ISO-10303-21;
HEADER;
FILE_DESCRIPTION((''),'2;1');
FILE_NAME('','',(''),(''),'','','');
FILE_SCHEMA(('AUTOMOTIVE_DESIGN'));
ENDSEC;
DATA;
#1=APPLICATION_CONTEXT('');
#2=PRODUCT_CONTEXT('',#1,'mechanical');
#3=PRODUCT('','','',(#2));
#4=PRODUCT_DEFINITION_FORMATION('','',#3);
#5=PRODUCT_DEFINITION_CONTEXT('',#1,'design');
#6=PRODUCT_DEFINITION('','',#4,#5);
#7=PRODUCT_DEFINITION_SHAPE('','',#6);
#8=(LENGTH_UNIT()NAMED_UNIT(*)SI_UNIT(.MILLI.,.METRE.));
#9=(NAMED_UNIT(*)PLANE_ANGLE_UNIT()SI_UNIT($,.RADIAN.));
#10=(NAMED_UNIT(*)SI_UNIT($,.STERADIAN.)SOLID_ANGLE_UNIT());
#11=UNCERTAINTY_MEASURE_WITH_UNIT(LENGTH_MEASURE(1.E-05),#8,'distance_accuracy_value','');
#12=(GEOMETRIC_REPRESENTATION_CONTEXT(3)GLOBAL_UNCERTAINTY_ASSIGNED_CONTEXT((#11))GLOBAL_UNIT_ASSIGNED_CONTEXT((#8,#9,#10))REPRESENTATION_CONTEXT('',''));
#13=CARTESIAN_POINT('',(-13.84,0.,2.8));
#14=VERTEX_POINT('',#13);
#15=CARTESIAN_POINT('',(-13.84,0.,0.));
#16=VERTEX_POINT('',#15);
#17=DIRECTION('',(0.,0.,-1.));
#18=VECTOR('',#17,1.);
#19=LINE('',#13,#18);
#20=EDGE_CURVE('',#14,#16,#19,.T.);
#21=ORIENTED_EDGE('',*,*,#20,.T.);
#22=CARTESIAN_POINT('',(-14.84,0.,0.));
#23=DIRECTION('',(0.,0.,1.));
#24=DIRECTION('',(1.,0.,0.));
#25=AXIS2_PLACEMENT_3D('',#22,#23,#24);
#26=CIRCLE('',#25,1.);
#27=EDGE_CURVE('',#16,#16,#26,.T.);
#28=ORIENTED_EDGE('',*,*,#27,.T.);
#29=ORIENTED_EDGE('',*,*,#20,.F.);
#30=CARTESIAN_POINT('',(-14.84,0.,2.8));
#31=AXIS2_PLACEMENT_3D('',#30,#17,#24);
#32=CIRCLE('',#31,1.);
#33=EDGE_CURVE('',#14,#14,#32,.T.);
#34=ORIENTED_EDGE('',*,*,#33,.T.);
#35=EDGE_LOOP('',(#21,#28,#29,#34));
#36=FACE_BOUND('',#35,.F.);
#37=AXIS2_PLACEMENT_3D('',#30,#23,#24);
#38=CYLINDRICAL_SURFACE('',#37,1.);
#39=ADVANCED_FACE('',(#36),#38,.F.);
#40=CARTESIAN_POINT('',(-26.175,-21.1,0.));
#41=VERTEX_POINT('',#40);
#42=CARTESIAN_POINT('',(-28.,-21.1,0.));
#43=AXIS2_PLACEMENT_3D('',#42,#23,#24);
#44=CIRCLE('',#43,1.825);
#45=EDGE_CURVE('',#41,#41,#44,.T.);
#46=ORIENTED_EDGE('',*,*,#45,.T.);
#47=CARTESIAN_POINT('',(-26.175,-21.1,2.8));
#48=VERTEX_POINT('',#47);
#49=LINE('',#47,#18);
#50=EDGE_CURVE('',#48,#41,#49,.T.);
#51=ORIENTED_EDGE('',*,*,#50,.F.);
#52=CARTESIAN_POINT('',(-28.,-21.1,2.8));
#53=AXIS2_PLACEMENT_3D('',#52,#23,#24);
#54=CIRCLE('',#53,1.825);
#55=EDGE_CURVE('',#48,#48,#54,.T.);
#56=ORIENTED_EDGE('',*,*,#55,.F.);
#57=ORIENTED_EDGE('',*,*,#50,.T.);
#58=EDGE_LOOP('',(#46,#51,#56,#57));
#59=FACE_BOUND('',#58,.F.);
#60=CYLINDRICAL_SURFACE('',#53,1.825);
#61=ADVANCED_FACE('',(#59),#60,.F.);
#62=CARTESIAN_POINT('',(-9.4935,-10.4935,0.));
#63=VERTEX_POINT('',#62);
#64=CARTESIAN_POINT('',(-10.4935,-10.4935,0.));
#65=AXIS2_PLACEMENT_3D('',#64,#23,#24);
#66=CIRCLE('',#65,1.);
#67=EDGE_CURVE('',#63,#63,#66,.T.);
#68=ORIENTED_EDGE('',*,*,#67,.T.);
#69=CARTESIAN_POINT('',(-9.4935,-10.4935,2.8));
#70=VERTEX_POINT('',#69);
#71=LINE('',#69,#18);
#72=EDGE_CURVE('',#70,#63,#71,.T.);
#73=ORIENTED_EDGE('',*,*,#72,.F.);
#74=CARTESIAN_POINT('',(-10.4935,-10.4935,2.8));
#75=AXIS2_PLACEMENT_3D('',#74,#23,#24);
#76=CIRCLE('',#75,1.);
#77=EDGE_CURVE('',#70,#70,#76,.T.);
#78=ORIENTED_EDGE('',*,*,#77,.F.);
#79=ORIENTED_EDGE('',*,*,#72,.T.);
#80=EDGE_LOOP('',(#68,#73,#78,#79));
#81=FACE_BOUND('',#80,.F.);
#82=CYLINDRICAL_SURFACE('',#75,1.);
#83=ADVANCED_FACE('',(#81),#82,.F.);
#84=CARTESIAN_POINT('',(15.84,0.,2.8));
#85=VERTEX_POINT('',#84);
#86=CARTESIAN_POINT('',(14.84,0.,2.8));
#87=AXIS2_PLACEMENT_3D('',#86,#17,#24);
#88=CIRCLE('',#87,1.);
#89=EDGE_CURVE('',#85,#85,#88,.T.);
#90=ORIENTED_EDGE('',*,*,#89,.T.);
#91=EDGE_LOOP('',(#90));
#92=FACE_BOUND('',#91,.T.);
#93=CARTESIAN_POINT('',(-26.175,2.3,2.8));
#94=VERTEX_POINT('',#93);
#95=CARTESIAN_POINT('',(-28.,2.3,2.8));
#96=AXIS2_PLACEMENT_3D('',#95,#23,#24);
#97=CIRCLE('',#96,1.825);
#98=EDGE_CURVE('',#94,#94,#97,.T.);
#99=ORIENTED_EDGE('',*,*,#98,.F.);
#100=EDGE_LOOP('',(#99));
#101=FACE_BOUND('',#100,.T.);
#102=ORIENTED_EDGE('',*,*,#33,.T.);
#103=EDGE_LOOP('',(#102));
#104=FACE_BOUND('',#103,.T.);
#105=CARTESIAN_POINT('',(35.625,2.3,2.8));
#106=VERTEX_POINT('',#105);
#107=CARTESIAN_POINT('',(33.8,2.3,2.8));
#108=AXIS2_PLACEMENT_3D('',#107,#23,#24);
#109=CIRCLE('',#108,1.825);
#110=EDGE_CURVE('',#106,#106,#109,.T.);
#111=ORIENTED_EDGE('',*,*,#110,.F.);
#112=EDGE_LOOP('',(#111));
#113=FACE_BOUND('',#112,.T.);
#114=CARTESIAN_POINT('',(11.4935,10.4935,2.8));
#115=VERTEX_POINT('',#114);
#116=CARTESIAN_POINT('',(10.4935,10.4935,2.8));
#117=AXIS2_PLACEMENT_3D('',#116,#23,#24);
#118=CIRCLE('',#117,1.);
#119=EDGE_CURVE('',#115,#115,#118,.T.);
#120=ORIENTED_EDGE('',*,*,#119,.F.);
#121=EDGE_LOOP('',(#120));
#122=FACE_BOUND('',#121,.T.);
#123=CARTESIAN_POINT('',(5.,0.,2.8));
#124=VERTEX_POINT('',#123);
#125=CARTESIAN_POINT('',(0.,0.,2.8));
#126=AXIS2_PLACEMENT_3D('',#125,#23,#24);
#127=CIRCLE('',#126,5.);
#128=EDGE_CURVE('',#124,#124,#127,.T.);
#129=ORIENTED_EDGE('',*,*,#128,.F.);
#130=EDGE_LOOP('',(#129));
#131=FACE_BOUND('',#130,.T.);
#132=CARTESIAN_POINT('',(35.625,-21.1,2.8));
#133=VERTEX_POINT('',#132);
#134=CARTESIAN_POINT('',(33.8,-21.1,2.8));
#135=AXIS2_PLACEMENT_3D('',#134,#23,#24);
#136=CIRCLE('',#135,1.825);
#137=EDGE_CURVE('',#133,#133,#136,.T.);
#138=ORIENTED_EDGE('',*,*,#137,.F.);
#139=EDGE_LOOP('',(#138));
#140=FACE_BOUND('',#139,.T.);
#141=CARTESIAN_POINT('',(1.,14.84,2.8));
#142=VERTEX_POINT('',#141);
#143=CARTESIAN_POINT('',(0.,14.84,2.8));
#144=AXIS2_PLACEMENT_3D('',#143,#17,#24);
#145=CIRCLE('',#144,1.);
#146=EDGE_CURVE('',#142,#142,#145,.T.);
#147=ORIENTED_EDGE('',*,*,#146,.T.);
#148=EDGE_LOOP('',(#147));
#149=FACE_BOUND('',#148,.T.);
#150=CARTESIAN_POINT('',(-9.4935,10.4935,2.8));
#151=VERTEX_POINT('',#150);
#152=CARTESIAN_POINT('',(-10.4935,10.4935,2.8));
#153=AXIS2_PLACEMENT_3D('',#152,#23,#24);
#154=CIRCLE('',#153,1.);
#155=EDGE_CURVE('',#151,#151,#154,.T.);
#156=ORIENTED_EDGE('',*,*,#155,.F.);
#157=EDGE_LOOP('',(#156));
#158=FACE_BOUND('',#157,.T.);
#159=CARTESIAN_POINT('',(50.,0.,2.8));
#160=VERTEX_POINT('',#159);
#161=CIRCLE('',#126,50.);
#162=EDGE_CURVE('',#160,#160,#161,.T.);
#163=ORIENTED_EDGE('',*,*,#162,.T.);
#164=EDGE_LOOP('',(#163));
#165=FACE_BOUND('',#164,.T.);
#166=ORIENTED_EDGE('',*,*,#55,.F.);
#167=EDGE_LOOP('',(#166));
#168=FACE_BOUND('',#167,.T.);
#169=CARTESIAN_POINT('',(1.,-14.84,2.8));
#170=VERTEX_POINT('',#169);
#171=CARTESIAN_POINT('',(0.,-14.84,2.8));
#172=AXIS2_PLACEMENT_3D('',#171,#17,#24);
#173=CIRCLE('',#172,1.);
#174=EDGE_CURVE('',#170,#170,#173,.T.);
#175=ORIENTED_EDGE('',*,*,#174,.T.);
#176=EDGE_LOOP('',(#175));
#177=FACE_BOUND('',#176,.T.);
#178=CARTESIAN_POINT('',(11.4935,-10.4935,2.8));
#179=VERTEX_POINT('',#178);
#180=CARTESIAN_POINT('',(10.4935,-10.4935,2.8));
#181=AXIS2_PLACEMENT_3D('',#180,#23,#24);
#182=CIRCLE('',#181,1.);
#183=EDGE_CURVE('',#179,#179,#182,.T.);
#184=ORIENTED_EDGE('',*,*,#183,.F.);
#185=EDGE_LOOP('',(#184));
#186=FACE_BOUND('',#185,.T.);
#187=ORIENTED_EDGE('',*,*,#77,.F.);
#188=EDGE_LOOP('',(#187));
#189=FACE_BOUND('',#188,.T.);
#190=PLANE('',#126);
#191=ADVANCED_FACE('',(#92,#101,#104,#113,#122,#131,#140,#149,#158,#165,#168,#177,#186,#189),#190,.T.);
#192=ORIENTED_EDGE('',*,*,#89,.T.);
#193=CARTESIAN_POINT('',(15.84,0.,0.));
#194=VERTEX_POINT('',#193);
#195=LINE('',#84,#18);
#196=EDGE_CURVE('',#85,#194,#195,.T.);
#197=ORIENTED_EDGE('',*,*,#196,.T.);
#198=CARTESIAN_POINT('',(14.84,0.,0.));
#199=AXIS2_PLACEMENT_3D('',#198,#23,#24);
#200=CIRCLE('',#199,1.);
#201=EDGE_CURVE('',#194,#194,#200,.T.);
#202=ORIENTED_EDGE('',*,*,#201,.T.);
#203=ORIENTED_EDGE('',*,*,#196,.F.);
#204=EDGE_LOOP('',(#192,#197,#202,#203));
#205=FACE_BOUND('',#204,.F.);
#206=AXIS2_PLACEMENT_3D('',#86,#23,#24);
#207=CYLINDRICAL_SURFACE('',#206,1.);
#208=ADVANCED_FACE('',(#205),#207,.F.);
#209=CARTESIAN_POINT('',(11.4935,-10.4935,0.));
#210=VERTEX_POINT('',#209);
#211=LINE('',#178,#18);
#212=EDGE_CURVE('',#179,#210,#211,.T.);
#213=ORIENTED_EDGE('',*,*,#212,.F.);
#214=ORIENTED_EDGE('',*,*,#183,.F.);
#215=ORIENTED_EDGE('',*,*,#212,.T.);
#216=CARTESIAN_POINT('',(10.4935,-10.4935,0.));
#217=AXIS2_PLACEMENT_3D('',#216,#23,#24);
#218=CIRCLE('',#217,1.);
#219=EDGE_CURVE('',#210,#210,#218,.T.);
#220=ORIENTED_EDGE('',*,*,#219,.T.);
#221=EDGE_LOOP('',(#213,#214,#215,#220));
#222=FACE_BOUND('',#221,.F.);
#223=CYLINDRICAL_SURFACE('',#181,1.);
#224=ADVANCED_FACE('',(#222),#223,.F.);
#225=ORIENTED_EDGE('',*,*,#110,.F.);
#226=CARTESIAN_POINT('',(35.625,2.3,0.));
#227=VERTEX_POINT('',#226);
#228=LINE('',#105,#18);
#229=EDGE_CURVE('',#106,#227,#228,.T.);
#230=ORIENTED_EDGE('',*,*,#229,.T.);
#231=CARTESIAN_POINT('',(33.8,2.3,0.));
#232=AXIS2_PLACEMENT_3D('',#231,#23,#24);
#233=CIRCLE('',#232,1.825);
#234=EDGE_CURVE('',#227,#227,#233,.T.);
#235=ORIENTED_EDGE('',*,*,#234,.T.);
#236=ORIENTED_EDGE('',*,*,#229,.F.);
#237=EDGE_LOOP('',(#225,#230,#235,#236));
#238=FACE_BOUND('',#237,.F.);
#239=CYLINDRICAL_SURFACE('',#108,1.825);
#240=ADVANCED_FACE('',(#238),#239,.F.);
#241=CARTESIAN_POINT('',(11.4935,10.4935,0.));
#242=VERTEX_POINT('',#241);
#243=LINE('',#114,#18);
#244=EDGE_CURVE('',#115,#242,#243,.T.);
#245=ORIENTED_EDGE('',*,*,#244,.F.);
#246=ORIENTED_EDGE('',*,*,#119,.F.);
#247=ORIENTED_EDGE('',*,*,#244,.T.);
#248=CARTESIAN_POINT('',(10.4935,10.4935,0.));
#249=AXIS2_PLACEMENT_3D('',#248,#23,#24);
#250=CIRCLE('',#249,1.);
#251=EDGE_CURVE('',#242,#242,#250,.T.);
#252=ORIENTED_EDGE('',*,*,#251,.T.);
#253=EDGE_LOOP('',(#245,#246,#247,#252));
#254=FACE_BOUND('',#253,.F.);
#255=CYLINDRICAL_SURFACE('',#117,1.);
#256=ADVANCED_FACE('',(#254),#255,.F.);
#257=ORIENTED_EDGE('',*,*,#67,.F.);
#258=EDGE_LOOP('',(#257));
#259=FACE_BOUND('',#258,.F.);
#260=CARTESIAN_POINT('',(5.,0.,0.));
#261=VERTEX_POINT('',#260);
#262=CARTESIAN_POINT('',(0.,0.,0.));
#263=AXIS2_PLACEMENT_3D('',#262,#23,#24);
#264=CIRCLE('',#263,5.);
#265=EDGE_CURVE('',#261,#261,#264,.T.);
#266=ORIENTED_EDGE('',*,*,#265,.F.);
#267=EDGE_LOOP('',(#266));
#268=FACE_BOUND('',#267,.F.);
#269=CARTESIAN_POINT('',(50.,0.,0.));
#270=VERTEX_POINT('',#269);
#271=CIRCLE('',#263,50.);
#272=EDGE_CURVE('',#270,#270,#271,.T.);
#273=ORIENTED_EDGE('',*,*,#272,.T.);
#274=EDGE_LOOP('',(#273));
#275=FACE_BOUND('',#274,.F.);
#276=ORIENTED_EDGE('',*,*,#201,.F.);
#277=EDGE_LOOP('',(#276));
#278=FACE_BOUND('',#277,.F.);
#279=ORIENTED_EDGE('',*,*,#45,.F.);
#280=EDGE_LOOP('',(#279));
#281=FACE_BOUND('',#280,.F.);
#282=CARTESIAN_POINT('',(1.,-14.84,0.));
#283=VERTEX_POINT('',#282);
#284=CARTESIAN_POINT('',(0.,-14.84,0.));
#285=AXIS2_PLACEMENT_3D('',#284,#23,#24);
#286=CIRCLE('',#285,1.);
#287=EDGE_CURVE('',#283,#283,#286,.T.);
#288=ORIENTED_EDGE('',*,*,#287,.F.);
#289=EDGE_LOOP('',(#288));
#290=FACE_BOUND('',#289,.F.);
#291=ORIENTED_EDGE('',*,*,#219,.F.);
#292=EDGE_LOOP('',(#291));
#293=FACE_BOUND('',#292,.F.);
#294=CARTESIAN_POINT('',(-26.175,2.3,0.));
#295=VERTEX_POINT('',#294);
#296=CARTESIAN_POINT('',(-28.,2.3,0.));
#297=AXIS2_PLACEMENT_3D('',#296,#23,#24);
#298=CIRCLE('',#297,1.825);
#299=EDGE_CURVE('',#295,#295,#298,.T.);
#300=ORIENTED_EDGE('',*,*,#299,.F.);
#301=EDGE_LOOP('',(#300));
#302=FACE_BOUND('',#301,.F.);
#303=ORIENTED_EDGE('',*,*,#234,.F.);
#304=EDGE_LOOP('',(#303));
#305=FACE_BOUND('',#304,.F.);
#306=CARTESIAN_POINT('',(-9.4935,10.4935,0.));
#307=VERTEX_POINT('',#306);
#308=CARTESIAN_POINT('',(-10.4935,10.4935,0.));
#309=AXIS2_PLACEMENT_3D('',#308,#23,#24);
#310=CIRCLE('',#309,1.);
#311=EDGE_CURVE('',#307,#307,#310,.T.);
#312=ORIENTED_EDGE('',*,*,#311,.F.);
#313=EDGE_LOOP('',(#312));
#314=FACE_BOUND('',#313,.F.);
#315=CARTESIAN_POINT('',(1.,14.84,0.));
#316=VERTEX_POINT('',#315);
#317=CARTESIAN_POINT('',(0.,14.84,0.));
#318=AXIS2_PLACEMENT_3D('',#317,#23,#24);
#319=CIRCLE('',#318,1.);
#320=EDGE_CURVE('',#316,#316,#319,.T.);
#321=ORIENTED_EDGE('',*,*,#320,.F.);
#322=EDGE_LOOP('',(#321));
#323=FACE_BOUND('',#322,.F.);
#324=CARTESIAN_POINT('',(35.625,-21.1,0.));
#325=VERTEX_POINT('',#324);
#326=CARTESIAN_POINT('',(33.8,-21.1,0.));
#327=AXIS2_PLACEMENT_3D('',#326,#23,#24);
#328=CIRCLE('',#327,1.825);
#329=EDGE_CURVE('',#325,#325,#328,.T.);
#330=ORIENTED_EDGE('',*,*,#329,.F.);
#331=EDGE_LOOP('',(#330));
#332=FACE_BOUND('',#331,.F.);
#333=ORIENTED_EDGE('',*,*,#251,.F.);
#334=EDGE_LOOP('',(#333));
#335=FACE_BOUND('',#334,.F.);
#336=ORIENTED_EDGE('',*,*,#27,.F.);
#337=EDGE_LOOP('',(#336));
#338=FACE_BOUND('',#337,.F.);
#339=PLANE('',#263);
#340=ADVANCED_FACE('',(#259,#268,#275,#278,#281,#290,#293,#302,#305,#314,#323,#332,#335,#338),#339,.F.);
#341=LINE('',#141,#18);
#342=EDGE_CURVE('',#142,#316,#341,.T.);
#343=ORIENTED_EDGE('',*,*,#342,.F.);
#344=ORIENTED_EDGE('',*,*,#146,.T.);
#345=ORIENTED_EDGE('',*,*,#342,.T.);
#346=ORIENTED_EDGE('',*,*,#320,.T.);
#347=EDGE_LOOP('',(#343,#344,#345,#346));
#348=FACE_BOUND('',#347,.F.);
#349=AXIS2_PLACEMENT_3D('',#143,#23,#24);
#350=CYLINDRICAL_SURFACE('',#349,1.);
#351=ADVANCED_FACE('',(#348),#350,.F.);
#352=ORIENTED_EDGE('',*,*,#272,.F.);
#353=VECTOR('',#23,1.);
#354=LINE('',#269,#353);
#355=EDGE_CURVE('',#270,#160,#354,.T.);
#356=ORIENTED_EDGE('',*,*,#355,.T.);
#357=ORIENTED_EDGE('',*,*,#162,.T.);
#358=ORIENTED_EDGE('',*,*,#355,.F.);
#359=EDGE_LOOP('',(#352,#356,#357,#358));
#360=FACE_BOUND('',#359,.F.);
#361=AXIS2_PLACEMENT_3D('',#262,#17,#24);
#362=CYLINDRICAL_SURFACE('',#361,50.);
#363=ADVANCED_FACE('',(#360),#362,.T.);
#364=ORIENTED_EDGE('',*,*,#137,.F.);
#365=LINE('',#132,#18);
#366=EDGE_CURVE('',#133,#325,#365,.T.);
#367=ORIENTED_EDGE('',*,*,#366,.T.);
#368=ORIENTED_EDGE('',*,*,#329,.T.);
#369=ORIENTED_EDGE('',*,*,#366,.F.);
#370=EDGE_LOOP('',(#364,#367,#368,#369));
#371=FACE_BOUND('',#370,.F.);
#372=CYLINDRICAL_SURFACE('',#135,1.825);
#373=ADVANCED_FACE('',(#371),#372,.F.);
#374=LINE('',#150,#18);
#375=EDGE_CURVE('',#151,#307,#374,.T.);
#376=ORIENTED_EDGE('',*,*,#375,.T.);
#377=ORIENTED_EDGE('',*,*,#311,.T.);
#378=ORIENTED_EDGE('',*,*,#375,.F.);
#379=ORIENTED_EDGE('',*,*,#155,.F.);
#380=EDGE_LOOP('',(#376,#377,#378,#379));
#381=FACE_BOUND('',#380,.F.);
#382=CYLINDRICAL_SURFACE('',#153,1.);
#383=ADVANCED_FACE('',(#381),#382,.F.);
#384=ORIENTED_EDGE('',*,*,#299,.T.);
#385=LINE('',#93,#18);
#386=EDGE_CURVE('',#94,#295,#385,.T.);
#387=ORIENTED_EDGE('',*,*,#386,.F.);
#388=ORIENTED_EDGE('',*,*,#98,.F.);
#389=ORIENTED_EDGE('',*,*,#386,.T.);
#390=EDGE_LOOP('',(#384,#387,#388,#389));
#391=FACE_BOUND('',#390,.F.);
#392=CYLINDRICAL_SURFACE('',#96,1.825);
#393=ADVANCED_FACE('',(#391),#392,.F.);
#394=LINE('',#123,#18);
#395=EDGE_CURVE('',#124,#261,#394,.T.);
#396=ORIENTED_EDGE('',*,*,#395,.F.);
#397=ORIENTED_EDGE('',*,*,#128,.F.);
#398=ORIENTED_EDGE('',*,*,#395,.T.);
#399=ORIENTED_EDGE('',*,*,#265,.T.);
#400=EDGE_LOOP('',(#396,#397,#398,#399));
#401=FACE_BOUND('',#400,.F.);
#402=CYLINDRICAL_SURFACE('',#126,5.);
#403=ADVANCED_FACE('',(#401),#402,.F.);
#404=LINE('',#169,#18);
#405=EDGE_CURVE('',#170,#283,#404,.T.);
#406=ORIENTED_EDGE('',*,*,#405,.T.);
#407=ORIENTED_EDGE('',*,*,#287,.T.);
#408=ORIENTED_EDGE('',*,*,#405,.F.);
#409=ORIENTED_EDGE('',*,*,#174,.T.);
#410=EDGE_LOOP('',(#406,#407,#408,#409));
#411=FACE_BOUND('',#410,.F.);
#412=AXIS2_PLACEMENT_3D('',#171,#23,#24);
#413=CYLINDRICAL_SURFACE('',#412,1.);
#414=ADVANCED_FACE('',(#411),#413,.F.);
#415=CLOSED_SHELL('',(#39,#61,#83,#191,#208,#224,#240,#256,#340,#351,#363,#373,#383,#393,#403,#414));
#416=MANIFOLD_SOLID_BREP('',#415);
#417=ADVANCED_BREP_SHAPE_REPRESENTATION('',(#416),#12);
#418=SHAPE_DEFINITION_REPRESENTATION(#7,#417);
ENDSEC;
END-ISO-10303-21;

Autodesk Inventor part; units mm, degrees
ref_plane "YZ Plane" through (0, 0, 0) normal (1, 0, 0) x (0, 1, 0)
ref_plane "XZ Plane" through (0, 0, 0) normal (0, 1, 0) x (-1, 0, 0)
ref_plane "XY Plane" through (0, 0, 0) normal (0, 0, 1) x (1, 0, 0)
sketch "Sketch1" plane through (0, 0, 0) normal (0, 0, 1) x (1, 0, 0)
  circle A0 centre (0, 0) radius 50
  dimension "d0" = 100
extrude "Extrusion1" add sketch "Sketch1" along normal blind 2.8
sketch "Sketch2" plane through (0, 0, 2.8) normal (0, 0, 1) x (1, 0, 0)
  circle A0 centre (0, 0) radius 50 projected
  circle A1 centre (0, 0) radius 5
  dimension "d3" = 10
extrude "Extrusion2" cut sketch "Sketch2" against normal through all contours A1
sketch "Sketch3" plane through (0, 0, 2.8) normal (0, 0, 1) x (1, 0, 0)
  circle A0 centre (0, 0) radius 5 projected
  line L0 (-70, 0) -> (70, 0) projected
  line L1 (0, -70) -> (0, 70) projected
  circle A1 centre (0, 14.84) radius 1
  circle A2 centre (-10.4935, 10.4935) radius 1
  circle A3 centre (-14.84, 0) radius 1
  circle A4 centre (-10.4935, -10.4935) radius 1
  circle A5 centre (0, -14.84) radius 1
  circle A6 centre (10.4935, -10.4935) radius 1
  circle A7 centre (14.84, 0) radius 1
  circle A8 centre (10.4935, 10.4935) radius 1
  circle A9 centre (-28, 2.3) radius 1.825
  circle A10 centre (-28, -21.1) radius 1.825
  circle A11 centre (33.8, -21.1) radius 1.825
  circle A12 centre (33.8, 2.3) radius 1.825
  dimension "d6" = 2
  dimension "d7" = 14.84
  dimension "d10" = 360
extrude "Extrusion3" cut sketch "Sketch3" against normal through all contours A5 L1 | L1 A5 | A3 L0 | L0 A3 | A1 L1 | L1 A1 | A7 L0 | L0 A7 | A2 | A4 | A6 | A8 | A9 | A10 | A11 | A12
properties part number "Acrylic_rotationServoTray"
